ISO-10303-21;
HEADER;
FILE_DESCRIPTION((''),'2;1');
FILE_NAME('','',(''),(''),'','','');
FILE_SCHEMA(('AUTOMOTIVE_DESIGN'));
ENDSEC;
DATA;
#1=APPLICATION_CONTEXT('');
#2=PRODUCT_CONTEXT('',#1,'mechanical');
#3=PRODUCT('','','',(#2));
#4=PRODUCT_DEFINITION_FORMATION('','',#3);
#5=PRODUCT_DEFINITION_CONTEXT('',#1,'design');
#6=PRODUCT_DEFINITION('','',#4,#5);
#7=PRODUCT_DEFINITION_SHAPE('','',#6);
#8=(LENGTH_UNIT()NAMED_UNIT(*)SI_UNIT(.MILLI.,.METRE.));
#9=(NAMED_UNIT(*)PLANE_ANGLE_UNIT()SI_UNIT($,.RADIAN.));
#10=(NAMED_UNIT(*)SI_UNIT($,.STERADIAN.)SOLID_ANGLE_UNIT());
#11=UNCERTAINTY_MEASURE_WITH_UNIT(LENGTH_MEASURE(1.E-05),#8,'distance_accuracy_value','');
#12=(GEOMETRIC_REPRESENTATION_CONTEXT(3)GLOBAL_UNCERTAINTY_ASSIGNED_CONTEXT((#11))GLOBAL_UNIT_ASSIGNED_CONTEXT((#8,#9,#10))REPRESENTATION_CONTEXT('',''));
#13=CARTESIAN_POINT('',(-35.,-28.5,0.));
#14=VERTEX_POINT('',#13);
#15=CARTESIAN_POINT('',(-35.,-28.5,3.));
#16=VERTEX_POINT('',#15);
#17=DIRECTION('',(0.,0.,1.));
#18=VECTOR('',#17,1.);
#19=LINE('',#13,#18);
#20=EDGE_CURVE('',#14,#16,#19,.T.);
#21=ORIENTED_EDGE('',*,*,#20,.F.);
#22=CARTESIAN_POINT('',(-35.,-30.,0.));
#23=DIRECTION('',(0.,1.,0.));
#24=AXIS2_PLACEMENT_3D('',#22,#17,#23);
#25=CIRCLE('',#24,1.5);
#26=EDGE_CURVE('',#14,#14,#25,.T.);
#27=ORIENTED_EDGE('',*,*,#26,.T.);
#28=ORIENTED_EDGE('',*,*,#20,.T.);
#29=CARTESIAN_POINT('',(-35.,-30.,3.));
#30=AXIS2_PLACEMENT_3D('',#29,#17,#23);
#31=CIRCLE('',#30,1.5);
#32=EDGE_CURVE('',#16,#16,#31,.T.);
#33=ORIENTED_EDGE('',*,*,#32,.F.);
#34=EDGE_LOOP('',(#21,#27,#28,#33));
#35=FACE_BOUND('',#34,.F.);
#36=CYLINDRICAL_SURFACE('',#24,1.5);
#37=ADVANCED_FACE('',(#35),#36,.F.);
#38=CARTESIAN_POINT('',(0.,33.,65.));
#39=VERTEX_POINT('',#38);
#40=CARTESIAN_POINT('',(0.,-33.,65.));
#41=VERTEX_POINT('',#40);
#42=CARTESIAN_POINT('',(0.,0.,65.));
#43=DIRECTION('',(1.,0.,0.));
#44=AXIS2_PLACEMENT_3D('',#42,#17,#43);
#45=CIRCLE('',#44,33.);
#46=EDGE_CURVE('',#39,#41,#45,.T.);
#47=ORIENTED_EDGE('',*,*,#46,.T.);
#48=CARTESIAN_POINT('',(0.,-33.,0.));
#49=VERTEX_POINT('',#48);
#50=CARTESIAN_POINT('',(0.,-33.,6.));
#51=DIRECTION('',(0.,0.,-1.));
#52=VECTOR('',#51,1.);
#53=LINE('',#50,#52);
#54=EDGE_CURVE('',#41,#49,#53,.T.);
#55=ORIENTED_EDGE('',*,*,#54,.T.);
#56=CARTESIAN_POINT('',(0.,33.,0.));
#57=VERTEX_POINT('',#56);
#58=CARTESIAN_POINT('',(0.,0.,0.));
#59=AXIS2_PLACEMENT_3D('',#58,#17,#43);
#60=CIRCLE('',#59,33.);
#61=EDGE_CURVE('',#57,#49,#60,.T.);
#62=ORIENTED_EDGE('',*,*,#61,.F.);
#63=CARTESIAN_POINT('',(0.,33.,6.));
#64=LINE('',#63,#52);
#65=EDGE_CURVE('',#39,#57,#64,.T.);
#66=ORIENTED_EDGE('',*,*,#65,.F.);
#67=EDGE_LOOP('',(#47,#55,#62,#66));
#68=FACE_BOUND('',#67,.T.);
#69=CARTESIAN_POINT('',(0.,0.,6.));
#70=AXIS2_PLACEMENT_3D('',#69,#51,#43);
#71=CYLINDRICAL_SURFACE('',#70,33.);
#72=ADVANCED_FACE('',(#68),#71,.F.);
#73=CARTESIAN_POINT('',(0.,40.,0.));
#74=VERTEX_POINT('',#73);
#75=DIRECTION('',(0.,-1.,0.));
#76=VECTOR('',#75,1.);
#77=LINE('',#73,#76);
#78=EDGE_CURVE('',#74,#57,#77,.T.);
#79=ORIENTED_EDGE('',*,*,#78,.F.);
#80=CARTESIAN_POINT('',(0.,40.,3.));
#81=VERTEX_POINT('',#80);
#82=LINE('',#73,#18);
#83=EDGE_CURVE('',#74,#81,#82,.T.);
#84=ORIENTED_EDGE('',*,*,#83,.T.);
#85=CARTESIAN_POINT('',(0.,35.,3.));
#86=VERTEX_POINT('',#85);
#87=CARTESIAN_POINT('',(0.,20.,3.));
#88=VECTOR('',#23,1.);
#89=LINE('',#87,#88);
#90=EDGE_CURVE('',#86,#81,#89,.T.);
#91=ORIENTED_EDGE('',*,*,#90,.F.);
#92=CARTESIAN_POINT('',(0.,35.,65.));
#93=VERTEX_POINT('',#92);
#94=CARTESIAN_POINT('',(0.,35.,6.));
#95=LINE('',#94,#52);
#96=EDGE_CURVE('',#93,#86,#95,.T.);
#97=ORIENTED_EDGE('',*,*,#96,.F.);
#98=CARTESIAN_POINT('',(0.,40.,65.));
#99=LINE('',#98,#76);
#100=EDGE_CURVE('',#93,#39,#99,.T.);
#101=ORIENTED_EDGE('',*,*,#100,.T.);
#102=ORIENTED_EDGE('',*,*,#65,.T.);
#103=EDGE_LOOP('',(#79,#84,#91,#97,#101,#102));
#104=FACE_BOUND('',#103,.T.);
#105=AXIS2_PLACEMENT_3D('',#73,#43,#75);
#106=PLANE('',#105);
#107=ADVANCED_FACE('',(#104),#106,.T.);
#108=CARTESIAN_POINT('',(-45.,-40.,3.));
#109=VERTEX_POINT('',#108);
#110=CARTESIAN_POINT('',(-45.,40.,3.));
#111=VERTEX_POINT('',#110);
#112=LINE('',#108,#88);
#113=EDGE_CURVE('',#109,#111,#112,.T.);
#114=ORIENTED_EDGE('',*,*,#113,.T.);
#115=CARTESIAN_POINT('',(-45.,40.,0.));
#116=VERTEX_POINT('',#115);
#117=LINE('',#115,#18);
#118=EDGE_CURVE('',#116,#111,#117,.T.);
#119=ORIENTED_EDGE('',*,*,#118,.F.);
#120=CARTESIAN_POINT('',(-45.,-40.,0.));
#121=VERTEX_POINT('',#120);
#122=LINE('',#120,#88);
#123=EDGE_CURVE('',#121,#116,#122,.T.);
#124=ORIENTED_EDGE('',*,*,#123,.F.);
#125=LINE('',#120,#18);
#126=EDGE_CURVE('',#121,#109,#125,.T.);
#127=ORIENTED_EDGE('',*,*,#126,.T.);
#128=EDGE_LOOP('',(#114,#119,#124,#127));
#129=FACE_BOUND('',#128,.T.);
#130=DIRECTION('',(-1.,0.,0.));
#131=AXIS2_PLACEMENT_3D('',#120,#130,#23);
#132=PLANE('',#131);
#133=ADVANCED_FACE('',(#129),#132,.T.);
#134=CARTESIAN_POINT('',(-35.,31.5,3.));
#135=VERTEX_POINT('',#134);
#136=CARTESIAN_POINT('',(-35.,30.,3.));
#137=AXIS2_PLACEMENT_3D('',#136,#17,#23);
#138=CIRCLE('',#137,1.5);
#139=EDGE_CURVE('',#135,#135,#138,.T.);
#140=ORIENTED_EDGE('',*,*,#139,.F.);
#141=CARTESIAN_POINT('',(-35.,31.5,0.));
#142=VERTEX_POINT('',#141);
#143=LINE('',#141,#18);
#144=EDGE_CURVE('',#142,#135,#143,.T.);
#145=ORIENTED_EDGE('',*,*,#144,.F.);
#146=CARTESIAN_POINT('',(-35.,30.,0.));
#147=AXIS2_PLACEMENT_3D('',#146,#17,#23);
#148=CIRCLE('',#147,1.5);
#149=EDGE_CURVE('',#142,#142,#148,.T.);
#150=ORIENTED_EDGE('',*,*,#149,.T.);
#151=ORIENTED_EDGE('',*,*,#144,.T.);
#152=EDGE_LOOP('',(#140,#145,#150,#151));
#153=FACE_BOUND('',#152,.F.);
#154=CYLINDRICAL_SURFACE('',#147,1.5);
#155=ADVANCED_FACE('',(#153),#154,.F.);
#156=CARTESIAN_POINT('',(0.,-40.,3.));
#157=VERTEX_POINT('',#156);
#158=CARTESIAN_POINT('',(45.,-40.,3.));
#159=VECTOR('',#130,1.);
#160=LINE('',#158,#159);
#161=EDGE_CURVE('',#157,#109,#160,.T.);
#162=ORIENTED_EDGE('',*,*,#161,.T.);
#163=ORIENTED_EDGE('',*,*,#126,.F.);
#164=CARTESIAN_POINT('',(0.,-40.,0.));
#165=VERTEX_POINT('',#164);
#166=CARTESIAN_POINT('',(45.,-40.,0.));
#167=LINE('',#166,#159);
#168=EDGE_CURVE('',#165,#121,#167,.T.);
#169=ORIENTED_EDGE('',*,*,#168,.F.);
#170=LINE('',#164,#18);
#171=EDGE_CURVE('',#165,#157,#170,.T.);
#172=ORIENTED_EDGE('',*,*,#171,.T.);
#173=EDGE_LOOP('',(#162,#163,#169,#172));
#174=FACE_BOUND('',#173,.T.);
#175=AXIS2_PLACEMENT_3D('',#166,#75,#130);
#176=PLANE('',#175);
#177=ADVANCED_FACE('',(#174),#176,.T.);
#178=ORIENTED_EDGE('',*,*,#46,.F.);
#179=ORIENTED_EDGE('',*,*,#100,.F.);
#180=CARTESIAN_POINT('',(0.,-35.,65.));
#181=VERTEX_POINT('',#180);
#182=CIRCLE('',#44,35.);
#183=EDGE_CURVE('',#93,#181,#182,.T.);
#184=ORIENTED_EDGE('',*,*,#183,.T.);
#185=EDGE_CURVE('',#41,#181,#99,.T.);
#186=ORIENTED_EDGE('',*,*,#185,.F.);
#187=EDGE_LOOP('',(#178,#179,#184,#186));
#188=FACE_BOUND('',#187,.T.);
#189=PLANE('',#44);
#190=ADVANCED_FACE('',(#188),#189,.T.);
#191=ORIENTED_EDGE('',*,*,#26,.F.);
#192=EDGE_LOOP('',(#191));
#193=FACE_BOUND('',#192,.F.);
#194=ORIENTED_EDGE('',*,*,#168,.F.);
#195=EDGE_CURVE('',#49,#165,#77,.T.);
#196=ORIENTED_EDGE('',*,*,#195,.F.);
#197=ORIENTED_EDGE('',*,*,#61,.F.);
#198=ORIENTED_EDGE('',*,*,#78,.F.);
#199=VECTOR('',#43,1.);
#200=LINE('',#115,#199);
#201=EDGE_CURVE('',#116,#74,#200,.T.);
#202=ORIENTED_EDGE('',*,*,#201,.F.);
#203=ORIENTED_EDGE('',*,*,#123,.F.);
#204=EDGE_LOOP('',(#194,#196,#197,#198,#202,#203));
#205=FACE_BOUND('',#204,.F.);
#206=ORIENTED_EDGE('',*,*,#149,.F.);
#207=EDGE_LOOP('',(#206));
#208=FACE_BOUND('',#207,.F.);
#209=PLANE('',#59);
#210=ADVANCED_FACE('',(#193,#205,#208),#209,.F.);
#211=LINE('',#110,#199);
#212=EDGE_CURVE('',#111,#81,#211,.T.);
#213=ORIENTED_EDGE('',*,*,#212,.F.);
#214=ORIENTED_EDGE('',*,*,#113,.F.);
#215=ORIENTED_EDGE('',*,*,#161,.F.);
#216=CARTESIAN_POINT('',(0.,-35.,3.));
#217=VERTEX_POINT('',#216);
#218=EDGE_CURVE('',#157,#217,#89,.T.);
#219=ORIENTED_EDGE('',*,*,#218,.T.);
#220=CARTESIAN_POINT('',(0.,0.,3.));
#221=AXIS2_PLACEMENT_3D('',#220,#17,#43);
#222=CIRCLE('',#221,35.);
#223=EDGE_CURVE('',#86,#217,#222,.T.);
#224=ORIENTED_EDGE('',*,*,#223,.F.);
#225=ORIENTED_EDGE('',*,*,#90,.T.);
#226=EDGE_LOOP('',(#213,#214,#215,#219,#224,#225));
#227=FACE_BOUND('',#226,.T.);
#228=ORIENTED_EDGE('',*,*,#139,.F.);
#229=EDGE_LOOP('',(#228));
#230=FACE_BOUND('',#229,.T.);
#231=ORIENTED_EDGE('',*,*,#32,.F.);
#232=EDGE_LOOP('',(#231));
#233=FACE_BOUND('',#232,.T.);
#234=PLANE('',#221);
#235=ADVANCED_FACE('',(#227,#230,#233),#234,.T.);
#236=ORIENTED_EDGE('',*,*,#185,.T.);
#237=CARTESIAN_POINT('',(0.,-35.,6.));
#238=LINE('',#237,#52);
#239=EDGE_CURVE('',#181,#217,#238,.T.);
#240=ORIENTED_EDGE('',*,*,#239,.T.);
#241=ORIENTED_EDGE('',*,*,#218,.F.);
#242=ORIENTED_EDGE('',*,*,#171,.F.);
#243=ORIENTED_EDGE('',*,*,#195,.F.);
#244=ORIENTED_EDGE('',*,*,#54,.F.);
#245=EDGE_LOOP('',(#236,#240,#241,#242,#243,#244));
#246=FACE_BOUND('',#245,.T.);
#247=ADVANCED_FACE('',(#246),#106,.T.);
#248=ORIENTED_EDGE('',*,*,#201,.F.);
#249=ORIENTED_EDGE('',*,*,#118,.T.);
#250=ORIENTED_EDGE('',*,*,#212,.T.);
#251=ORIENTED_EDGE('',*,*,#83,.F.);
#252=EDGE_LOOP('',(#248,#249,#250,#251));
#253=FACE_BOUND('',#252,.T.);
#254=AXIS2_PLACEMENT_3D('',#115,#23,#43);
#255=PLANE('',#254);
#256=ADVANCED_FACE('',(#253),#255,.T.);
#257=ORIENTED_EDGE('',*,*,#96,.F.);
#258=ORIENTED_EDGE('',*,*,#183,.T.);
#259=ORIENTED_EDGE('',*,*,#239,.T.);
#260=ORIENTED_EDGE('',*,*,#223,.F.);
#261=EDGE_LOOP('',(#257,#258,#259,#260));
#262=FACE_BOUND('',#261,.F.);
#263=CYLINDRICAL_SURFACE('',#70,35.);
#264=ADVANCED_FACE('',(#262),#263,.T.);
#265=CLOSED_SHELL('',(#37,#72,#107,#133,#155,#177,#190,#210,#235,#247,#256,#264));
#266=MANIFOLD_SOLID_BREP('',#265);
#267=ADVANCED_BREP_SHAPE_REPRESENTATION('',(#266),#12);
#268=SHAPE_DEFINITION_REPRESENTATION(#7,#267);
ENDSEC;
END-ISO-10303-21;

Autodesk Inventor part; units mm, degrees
ref_plane "YZ Plane" through (0, 0, 0) normal (1, 0, 0) x (0, 1, 0)
ref_plane "XZ Plane" through (0, 0, 0) normal (0, 1, 0) x (-1, 0, 0)
ref_plane "XY Plane" through (0, 0, 0) normal (0, 0, 1) x (1, 0, 0)
sketch "スケッチ1" plane through (0, 0, 0) normal (0, 0, 1) x (1, 0, 0)
  circle A0 centre (0, 0) radius 35
  circle A1 centre (0, 0) radius 33
  line L0 (-45, 40) -> (45, 40)
  line L1 (45, 40) -> (45, -40)
  line L2 (45, -40) -> (-45, -40)
  line L3 (-45, -40) -> (-45, 40)
  line L4 (-45, 40) -> (45, -40) construction
  line L5 (45, 40) -> (-45, -40) construction
  dimension "d0" = 70
  dimension "d1" = 66
  dimension "d2" = 90
  dimension "d3" = 80
extrude "押し出し1" add sketch "スケッチ1" along normal blind 3 contours L0 L1 L2 L3
sketch "スケッチ2" plane through (0, 0, 3) normal (0, 0, 1) x (1, 0, 0)
  circle A0 centre (0, 0) radius 35 projected
  circle A1 centre (0, 0) radius 35
  circle A2 centre (0, 0) radius 33
  dimension "d6" = 66
extrude "押し出し2" add sketch "スケッチ2" along normal blind 3 and the other way blind 3
sketch "スケッチ3" plane through (0, 0, 6) normal (0, 0, 1) x (1, 0, 0)
  circle A0 centre (0, 0) radius 33 projected
  circle A1 centre (0, 0) radius 35 projected
extrude "押し出し3" add sketch "スケッチ3" along normal blind 59
sketch "スケッチ4" plane through (0, 0, 65) normal (0, 0, 1) x (1, 0, 0)
  circle A0 centre (0, 0) radius 33 projected
  circle A1 centre (0, 0) radius 35 projected
sketch "スケッチ5" plane through (0, 0, 0) normal (0, 0, -1) x (-1, 0, 0)
  line L0 (-45, 40) -> (-35, 40)
  line L1 (-35, 40) -> (-35, 30)
  line L2 (-35, 30) -> (-45, 30)
  line L3 (-45, 30) -> (-45, 40)
  line L4 (-45, -40) -> (-35, -40)
  line L5 (-35, -40) -> (-35, -30)
  line L6 (-35, -30) -> (-45, -30)
  line L7 (-45, -30) -> (-45, -40)
  line L8 (45, -40) -> (35, -40)
  line L9 (35, -40) -> (35, -30)
  line L10 (35, -30) -> (45, -30)
  line L11 (45, -30) -> (45, -40)
  line L12 (45, 40) -> (35, 40)
  line L13 (35, 40) -> (35, 30)
  line L14 (35, 30) -> (45, 30)
  line L15 (45, 30) -> (45, 40)
  dimension "d13" = 10
  dimension "d14" = 10
  dimension "d15" = 10
  dimension "d16" = 10
  dimension "d17" = 10
  dimension "d18" = 10
  dimension "d19" = 10
hole "穴1" at (35, 30, 0) at (-35, 30, 0) at (-35, -30, 0) at (35, -30, 0) direction (0, 0, 1) diameter 3 depth 8 tip angle 118
sketch "スケッチ6" plane through (0, 0, 0) normal (0, 0, -1) x (-1, 0, 0)
  circle A0 centre (-35, 30) radius 1.5 projected
  circle A1 centre (-35, -30) radius 1.5 projected
  line L0 (-45, -40) -> (45, -40) projected
  line L1 (-45, 40) -> (0, 40)
  line L2 (0, 40) -> (0, -40)
  line L3 (0, -40) -> (-45, -40)
  line L4 (-45, -40) -> (-45, 40)
extrude "押し出し4" cut sketch "スケッチ6" against normal blind 65
properties part number "知能ロボコン発射口ver2.5"
